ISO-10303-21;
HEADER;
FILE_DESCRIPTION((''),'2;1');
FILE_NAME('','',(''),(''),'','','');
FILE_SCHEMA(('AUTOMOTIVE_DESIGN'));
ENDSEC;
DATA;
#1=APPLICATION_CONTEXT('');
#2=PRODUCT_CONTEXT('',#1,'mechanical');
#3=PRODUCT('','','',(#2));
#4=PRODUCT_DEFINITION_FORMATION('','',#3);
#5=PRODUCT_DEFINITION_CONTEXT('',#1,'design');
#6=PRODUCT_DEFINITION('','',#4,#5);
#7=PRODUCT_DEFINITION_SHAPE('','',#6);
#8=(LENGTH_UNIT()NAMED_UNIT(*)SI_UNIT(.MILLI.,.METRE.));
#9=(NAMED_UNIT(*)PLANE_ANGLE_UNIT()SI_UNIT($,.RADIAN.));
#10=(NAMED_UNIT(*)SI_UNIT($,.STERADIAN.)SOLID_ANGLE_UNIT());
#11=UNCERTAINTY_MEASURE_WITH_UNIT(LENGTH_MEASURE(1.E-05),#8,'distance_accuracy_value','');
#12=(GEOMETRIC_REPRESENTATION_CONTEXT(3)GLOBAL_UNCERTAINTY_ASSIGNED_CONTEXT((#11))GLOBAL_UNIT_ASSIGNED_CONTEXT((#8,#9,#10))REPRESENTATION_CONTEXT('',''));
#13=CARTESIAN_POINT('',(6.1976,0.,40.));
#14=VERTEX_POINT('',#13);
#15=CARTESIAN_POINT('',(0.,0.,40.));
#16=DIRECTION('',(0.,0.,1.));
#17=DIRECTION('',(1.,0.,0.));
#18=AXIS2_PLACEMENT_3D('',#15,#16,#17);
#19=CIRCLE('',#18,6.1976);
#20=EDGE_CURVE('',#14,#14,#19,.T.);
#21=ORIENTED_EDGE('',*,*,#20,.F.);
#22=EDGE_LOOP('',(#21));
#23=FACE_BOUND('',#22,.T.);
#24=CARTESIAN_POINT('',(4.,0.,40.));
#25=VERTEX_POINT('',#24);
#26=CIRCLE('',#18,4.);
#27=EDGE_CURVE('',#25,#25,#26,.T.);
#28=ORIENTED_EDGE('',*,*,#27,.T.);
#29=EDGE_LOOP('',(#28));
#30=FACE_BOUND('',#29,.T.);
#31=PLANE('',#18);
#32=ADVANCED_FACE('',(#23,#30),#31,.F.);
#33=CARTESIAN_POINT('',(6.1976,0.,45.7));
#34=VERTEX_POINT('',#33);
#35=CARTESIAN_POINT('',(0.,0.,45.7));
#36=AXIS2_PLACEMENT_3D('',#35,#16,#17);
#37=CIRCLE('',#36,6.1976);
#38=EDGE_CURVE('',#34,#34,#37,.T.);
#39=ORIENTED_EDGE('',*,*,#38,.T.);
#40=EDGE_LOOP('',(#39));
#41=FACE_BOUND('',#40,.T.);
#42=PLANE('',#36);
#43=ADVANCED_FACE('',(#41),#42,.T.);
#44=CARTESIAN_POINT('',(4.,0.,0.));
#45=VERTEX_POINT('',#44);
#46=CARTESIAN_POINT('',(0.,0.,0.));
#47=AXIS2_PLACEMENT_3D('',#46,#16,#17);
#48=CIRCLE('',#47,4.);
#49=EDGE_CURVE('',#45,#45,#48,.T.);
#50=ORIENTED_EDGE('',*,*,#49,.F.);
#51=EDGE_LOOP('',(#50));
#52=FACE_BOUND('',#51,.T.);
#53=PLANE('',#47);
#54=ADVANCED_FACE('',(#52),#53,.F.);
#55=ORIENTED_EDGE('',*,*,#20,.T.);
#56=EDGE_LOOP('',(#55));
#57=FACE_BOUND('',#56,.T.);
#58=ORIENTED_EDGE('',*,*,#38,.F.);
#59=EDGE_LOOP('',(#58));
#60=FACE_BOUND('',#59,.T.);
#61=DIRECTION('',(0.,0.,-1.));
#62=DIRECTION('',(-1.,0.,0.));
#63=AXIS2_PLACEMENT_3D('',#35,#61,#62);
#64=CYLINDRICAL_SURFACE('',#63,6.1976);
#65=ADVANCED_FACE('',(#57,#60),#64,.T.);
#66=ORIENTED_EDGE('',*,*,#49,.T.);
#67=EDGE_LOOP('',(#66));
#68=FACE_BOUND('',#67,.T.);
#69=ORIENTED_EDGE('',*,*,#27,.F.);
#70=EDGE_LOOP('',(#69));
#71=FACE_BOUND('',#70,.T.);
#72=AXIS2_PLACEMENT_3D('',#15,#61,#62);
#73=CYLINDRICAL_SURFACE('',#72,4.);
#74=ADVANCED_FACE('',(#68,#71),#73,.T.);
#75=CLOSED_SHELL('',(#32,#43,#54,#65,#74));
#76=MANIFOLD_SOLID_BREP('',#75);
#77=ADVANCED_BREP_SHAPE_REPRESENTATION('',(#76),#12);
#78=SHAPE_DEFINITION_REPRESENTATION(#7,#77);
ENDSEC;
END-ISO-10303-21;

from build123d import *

# Parameters (mm, degrees)
SKETCH1_R           = 4
BOSS_EXTRUDE1_DEPTH = 40
SKETCH2_R           = 6.1976
BOSS_EXTRUDE2_DEPTH = 5.7


with BuildPart() as part:
    # Sketch1 → Boss-Extrude1 (new body)
    with BuildSketch(Plane.XY):
        Circle(SKETCH1_R)
    extrude(amount=BOSS_EXTRUDE1_DEPTH)

    # Sketch2 → Boss-Extrude2 (add)
    with BuildSketch(Plane.XY.offset(40)):
        Circle(SKETCH2_R)
    extrude(amount=BOSS_EXTRUDE2_DEPTH)


solid = part.part
